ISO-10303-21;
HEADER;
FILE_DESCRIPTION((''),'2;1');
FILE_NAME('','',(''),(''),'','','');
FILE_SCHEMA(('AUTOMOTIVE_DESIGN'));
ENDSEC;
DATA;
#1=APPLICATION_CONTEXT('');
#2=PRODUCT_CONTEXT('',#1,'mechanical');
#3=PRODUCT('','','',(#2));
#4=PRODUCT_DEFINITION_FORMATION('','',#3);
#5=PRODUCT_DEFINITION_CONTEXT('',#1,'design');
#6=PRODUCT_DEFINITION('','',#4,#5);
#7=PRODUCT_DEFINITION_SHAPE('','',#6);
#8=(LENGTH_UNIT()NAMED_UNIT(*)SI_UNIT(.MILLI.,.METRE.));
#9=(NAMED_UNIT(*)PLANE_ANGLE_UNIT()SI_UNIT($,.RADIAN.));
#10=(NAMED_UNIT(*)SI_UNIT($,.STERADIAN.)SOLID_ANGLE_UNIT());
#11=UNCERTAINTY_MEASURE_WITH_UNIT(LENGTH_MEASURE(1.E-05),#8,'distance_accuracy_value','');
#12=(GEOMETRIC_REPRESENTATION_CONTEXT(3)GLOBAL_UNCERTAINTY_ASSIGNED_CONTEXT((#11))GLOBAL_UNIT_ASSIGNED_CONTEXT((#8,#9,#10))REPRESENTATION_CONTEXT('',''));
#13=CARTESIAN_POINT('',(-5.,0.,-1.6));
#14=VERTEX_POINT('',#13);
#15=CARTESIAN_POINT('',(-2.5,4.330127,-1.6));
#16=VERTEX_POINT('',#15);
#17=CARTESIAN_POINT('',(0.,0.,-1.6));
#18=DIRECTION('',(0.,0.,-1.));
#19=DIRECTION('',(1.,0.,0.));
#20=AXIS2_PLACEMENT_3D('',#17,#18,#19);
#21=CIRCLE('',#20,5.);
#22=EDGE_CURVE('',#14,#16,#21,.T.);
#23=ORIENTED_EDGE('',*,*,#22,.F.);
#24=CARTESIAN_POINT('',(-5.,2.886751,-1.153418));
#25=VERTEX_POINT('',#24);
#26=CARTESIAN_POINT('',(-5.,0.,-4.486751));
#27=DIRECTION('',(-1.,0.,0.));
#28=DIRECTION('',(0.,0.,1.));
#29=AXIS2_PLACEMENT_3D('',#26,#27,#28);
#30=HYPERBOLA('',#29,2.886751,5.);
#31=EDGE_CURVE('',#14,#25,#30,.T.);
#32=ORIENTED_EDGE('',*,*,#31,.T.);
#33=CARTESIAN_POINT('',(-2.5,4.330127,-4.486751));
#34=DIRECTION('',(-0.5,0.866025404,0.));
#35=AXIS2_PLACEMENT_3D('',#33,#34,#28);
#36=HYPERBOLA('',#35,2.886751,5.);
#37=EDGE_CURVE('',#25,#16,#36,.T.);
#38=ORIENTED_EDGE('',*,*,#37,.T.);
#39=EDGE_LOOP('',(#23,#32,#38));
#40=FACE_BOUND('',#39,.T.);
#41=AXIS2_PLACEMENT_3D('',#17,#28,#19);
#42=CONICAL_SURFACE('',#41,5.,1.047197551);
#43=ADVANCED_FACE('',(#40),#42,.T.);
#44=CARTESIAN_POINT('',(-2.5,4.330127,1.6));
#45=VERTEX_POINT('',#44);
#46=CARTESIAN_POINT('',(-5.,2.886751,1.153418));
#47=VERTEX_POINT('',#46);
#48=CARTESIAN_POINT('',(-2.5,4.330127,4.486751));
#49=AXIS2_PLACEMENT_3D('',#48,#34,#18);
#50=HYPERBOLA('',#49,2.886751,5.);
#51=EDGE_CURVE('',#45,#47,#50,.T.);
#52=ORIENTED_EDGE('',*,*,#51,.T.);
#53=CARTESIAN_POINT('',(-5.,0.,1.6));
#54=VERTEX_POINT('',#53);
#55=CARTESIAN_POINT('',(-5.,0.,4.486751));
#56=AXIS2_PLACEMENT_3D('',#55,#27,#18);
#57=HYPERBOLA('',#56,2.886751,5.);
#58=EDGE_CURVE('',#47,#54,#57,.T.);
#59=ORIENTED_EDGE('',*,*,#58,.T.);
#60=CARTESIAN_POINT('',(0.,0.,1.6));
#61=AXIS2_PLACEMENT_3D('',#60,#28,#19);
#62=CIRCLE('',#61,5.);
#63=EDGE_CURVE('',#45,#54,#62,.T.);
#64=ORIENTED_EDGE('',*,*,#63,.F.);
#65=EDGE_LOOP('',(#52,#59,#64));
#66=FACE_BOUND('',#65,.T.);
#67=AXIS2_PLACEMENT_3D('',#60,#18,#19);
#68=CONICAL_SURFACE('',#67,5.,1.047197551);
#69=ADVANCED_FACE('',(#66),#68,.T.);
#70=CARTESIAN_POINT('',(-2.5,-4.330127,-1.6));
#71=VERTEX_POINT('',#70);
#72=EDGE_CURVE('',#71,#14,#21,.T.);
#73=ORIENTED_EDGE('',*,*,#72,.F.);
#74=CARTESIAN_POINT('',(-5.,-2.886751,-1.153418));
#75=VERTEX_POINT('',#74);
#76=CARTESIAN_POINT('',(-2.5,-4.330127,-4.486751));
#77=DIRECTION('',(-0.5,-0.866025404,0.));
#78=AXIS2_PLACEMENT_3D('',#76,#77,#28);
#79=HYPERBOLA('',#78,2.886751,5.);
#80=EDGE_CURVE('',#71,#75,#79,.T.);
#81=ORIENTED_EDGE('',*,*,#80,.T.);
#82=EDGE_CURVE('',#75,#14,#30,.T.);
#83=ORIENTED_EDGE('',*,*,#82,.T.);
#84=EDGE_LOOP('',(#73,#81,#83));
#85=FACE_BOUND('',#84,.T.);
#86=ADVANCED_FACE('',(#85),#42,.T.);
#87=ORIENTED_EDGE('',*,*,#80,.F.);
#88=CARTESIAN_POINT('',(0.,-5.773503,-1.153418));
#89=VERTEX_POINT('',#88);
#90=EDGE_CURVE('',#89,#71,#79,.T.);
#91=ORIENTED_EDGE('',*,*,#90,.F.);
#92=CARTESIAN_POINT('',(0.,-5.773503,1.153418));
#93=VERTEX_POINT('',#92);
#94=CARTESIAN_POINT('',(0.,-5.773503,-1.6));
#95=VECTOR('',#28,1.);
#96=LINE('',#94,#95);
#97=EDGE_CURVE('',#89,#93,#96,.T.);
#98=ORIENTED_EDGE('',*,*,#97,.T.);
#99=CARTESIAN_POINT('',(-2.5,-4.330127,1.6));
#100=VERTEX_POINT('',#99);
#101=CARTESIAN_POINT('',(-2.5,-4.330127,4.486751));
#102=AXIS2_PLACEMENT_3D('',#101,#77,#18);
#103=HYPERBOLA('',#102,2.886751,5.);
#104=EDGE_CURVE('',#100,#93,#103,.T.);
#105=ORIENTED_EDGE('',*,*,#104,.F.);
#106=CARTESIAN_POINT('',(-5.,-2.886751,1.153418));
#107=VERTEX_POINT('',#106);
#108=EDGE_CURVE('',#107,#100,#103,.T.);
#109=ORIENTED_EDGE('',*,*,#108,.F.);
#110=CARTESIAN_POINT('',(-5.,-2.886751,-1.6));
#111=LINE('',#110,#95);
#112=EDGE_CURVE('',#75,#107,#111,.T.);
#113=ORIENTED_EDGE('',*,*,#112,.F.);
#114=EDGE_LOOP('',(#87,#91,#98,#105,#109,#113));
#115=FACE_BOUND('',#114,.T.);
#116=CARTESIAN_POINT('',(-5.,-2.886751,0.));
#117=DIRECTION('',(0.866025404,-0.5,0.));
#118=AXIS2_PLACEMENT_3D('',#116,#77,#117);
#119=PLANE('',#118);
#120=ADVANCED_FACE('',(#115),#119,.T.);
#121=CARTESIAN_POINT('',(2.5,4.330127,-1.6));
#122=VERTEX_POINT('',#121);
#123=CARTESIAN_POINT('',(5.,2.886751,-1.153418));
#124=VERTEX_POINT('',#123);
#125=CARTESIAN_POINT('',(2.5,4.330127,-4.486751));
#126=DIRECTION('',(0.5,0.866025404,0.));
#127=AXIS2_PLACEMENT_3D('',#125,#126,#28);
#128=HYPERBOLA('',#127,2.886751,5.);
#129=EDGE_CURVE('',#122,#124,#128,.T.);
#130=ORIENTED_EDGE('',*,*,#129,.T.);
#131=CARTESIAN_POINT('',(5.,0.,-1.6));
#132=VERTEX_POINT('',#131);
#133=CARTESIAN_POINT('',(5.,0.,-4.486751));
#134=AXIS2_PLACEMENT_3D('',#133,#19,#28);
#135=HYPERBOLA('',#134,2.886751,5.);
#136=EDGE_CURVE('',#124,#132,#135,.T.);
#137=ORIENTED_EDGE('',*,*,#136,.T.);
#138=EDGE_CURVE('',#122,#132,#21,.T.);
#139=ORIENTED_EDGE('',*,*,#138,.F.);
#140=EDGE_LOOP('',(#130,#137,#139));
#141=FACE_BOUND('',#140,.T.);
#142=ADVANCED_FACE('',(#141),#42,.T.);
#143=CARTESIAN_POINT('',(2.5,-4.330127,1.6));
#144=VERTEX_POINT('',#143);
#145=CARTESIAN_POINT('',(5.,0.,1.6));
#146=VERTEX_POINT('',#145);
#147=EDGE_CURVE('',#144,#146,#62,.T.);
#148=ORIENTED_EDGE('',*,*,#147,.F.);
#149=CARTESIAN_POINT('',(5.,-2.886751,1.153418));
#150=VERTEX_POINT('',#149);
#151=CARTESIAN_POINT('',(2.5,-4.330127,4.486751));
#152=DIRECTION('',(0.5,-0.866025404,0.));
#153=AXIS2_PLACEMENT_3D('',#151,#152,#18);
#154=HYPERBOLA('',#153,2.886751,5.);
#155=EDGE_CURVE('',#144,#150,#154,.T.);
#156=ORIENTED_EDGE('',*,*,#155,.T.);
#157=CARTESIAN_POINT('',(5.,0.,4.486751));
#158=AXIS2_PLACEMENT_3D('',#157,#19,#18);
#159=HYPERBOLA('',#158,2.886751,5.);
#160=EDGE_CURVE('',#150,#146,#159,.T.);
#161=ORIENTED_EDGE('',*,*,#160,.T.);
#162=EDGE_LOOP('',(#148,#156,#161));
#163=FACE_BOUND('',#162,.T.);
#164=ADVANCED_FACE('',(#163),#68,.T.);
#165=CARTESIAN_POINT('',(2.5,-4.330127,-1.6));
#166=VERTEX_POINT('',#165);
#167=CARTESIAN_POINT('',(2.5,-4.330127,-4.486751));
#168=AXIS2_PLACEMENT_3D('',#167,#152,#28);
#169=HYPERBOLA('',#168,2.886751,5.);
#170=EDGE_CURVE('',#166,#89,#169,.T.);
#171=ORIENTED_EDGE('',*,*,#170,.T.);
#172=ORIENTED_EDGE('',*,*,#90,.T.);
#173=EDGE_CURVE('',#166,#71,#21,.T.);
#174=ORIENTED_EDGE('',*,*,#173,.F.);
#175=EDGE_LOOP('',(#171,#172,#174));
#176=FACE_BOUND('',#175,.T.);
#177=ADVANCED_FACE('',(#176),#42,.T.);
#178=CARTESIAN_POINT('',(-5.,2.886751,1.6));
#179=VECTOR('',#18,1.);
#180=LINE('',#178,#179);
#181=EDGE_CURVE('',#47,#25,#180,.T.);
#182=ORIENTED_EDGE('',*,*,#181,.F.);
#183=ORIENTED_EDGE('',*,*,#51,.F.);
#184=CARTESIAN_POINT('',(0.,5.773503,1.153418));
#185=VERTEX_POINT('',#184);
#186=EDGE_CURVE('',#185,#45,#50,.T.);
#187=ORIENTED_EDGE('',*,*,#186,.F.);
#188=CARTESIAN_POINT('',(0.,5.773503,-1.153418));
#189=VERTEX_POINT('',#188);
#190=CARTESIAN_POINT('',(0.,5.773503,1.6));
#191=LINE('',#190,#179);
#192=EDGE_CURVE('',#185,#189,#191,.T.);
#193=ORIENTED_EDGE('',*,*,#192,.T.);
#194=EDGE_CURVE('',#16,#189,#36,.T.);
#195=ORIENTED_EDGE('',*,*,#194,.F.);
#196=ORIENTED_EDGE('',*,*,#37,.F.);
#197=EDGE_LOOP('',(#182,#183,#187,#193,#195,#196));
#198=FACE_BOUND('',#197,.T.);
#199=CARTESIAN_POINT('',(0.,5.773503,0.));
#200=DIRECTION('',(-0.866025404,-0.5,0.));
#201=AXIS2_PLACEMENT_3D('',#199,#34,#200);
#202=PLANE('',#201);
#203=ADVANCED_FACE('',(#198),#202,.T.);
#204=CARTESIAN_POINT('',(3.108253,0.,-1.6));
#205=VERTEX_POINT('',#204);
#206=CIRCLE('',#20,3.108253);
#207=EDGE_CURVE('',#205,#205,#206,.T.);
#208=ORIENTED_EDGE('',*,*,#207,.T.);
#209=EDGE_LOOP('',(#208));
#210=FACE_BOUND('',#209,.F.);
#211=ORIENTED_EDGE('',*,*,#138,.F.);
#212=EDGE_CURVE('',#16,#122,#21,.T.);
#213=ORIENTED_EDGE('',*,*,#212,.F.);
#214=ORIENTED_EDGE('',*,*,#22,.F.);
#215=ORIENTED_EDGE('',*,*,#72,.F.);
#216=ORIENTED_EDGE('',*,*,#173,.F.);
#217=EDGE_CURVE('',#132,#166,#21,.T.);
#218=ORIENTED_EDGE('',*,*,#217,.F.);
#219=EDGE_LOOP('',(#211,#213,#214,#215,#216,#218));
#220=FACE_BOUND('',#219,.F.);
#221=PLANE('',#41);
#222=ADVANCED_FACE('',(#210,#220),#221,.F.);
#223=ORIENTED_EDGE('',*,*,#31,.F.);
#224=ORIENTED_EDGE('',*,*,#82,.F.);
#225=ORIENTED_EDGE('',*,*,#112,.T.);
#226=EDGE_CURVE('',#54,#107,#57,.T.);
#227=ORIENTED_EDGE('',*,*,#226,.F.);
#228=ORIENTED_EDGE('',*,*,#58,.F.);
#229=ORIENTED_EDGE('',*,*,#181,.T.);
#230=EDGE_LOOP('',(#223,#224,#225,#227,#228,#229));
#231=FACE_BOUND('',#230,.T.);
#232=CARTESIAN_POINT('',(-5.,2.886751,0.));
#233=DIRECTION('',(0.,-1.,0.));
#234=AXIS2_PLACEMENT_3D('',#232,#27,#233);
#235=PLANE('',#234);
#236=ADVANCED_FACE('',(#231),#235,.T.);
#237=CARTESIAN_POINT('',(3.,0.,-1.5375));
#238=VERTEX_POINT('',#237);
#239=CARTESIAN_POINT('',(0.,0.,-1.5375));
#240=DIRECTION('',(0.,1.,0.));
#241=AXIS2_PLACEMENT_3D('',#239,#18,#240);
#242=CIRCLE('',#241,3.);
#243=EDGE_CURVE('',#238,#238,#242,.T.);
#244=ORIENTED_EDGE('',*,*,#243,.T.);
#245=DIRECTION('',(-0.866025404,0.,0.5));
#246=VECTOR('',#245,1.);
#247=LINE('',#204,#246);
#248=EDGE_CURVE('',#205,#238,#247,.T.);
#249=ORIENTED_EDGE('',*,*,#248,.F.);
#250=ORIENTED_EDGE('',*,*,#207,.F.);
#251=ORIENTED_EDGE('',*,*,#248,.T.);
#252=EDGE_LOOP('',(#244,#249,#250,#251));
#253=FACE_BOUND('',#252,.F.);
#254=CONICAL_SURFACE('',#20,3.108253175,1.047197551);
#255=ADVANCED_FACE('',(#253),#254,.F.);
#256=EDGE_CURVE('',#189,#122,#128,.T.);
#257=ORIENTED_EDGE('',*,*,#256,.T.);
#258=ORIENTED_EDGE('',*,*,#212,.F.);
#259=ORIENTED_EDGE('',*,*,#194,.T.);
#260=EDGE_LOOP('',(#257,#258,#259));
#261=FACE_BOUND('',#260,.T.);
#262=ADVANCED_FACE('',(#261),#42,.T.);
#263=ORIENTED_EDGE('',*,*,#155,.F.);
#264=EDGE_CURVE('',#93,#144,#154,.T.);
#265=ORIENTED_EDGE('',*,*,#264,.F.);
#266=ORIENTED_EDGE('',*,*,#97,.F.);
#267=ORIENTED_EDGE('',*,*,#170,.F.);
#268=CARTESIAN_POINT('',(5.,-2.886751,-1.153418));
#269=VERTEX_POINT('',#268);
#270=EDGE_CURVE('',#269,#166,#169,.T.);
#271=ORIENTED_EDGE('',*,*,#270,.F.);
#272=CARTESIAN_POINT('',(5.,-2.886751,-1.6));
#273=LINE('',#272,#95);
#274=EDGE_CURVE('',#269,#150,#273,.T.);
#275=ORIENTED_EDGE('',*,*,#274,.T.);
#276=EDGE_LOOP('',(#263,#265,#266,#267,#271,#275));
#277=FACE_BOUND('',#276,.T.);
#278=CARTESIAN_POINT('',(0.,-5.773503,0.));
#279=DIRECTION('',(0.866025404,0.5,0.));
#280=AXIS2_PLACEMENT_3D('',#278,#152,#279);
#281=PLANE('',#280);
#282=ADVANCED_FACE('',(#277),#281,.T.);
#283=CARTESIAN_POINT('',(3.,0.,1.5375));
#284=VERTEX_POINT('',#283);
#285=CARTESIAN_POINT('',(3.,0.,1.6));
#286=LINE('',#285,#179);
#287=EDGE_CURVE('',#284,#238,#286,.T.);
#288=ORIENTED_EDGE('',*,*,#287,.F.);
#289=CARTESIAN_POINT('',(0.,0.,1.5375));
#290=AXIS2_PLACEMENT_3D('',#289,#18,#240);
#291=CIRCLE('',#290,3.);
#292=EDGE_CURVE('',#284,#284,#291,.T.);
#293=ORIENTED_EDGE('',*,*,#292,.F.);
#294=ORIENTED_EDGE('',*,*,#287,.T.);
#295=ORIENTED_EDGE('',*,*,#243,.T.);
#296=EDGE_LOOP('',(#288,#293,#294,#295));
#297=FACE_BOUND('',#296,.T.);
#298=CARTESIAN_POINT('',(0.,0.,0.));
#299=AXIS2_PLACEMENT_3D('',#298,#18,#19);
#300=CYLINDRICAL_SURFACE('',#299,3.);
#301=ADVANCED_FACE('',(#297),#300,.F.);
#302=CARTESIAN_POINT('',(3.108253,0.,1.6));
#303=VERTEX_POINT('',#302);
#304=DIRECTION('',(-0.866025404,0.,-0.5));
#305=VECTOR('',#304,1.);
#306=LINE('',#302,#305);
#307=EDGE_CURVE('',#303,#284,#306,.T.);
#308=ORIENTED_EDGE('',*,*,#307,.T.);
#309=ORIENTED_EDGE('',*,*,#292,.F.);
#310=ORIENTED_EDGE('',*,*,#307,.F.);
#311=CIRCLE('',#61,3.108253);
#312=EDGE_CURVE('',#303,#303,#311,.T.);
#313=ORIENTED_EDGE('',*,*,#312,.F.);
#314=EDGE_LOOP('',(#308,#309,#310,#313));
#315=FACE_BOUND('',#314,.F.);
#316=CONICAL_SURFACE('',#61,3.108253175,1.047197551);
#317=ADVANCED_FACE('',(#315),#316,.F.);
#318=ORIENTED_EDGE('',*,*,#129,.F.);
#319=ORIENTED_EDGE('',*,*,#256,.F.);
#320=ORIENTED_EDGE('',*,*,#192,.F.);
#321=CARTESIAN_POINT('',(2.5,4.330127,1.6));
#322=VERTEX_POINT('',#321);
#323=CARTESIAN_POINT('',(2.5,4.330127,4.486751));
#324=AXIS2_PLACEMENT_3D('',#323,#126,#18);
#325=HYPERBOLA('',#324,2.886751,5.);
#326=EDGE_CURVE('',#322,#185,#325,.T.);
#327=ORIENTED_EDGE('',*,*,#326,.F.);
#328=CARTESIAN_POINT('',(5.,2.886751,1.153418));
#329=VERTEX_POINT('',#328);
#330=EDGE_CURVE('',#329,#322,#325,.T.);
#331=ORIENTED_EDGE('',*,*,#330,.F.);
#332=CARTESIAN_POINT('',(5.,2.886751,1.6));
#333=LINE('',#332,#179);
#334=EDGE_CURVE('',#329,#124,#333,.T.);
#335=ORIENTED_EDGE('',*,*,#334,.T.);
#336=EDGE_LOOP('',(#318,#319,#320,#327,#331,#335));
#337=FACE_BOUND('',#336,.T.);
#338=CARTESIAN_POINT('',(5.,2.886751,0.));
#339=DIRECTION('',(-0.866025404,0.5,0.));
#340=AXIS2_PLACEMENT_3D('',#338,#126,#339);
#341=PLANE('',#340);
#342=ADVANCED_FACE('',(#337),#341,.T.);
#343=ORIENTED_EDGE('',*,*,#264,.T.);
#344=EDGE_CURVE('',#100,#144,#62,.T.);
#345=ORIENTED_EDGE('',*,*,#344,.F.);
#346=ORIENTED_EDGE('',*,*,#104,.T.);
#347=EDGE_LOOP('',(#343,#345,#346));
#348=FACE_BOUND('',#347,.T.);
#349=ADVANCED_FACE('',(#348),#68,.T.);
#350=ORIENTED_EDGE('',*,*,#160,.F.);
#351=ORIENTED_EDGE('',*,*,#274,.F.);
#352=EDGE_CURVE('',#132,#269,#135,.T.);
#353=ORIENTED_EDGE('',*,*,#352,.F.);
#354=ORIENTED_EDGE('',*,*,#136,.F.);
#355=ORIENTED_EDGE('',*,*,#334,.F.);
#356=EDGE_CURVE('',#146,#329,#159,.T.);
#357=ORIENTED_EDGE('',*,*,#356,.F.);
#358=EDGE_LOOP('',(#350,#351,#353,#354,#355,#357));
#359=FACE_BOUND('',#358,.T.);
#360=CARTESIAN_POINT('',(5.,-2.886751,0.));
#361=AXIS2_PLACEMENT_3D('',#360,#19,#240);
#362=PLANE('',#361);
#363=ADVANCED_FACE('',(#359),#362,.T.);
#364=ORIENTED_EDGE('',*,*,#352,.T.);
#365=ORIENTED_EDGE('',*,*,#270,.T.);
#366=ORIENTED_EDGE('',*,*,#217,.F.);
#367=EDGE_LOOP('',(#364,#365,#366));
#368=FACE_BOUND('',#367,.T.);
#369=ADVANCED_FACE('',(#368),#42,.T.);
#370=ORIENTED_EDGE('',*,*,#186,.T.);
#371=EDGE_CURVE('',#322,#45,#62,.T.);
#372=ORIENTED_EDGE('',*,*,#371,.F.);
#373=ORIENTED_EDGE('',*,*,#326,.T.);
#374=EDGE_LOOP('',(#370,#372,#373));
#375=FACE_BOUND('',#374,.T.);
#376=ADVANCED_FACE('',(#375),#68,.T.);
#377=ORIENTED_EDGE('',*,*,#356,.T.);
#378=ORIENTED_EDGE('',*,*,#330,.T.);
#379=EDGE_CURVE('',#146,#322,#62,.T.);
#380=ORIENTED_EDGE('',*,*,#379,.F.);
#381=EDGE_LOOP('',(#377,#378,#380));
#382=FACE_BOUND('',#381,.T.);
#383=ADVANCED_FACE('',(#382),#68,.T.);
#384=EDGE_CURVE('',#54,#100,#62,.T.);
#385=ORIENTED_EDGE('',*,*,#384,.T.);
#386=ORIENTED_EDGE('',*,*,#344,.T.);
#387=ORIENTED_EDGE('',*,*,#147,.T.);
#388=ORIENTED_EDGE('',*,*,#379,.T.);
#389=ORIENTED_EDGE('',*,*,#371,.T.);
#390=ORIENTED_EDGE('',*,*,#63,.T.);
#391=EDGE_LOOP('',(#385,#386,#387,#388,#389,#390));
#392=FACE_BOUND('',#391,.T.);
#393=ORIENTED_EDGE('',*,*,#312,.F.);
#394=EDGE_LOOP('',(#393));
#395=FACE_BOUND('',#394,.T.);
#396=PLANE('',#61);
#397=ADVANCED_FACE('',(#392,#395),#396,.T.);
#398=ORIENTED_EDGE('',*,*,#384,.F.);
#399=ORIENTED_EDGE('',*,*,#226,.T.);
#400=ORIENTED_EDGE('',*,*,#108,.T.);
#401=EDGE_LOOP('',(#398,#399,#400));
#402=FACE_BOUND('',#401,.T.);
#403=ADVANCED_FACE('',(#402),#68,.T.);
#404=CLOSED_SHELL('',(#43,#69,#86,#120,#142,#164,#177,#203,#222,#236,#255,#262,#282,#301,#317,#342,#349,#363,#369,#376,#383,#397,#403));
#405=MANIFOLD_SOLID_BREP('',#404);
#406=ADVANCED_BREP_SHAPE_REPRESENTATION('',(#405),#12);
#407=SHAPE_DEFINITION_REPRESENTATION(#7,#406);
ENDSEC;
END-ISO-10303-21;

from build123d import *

# Parameters (mm, degrees)
SKETCH3_R                    = 3
BOSS_EXTRUDE1_DEPTH          = 1.6
SKETCH4_OUTSIDE_W            = 49.762
SKETCH4_OUTSIDE_H            = 51.31
SKETCH4_OUTSIDE_R            = 5
CUT_EXTRUDE1_DEPTH           = 10
CUT_EXTRUDE1_DRAFT           = -60
SKETCH4_OUTSIDE_R_2          = 3.108253175
CUT_EXTRUDE1_PROFILE_2_DEPTH = 10
CUT_EXTRUDE1_PROFILE_2_DRAFT = -60
MIRROR1_COPY_1_SKETCH_W      = 49.762
MIRROR1_COPY_1_SKETCH_H      = 51.31
MIRROR1_COPY_1_SKETCH_R      = 5
MIRROR1_COPY_1_DEPTH         = 10
MIRROR1_COPY_1_DRAFT         = -60
MIRROR1_COPY_2_SKETCH_R      = 3.108253175
MIRROR1_COPY_2_DEPTH         = 10
MIRROR1_COPY_2_DRAFT         = -60
MIRROR1_COPY_3_SKETCH_R      = 3.108253175
MIRROR1_COPY_3_DEPTH         = 10
MIRROR1_COPY_3_DRAFT         = -60


with BuildPart() as part:
    # Sketch3 → Boss-Extrude1 (new, symmetric)
    with BuildSketch(Plane.XY):
        Polygon((-5, 2.886751346), (-5, -2.886751346), (0, -5.773502692), (5, -2.886751346), (5, 2.886751346), (0, 5.773502692), align=None)
        Circle(SKETCH3_R, mode=Mode.SUBTRACT)
    extrude(amount=BOSS_EXTRUDE1_DEPTH, both=True)


with BuildPart() as cut_extrude1_tool:
    # Sketch4 outside → Cut-Extrude1 (with draft: the straight prism first)
    with BuildSketch(Plane.XY.offset(1.6)):
        Rectangle(SKETCH4_OUTSIDE_W, SKETCH4_OUTSIDE_H)
        Circle(SKETCH4_OUTSIDE_R, mode=Mode.SUBTRACT)
    extrude(amount=-CUT_EXTRUDE1_DEPTH)
    # Cut-Extrude1: the draft: its side faces are tilted about the plane it starts from
    cut_extrude1_sides = [cut_extrude1_tool.faces().sort_by_distance(p)[0] for p in [
        (0, -25.655, -3.4),
        (24.881, 0, -3.4),
        (0, 25.655, -3.4),
        (-24.881, 0, -3.4),
        (-5, 0, -3.4),
    ]]
    draft(cut_extrude1_sides, Plane.XY.offset(1.6), CUT_EXTRUDE1_DRAFT)


with BuildPart() as part_1:
    add(part.part)

    # Cut-Extrude1: cut by cut_extrude1_tool
    add(cut_extrude1_tool.part, mode=Mode.SUBTRACT)


with BuildPart() as cut_extrude1_profile_2_tool:
    # Sketch4 outside → Cut-Extrude1 profile 2 (with draft: the straight prism first)
    with BuildSketch(Plane.XY.offset(1.6)):
        Circle(SKETCH4_OUTSIDE_R_2)
    extrude(amount=-CUT_EXTRUDE1_PROFILE_2_DEPTH)
    # Cut-Extrude1 profile 2: the draft: its side faces are tilted about the plane it starts from
    cut_extrude1_profile_2_sides = [cut_extrude1_profile_2_tool.faces().sort_by_distance(p)[0] for p in [
        (-3.108253175, 0, -3.4),
    ]]
    draft(cut_extrude1_profile_2_sides, Plane.XY.offset(1.6), CUT_EXTRUDE1_PROFILE_2_DRAFT)


with BuildPart() as part_2:
    add(part_1.part)

    # Cut-Extrude1 profile 2: cut by cut_extrude1_profile_2_tool
    add(cut_extrude1_profile_2_tool.part, mode=Mode.SUBTRACT)


with BuildPart() as mirror1_copy_1_tool:
    # Mirror1 copy 1 sketch → Mirror1 copy 1 (with draft: the straight prism first)
    with BuildSketch(Plane(origin=(0, 0, -1.6), x_dir=(1, 0, 0), z_dir=(0, 0, -1))):
        Rectangle(MIRROR1_COPY_1_SKETCH_W, MIRROR1_COPY_1_SKETCH_H)
        Circle(MIRROR1_COPY_1_SKETCH_R, mode=Mode.SUBTRACT)
    extrude(amount=-MIRROR1_COPY_1_DEPTH)
    # Mirror1 copy 1: the draft: its side faces are tilted about the plane it starts from
    mirror1_copy_1_sides = [mirror1_copy_1_tool.faces().sort_by_distance(p)[0] for p in [
        (0, -25.655, 3.4),
        (24.881, 0, 3.4),
        (0, 25.655, 3.4),
        (-24.881, 0, 3.4),
        (-5, 0, 3.4),
    ]]
    draft(mirror1_copy_1_sides, Plane(origin=(0, 0, -1.6), x_dir=(1, 0, 0), z_dir=(0, 0, -1)), MIRROR1_COPY_1_DRAFT)


with BuildPart() as part_3:
    add(part_2.part)

    # Mirror1 copy 1: cut by mirror1_copy_1_tool
    add(mirror1_copy_1_tool.part, mode=Mode.SUBTRACT)


with BuildPart() as mirror1_copy_2_tool:
    # Mirror1 copy 2 sketch → Mirror1 copy 2 (with draft: the straight prism first)
    with BuildSketch(Plane(origin=(0, 0, -1.6), x_dir=(1, 0, 0), z_dir=(0, 0, -1))):
        Circle(MIRROR1_COPY_2_SKETCH_R)
    extrude(amount=-MIRROR1_COPY_2_DEPTH)
    # Mirror1 copy 2: the draft: its side faces are tilted about the plane it starts from
    mirror1_copy_2_sides = [mirror1_copy_2_tool.faces().sort_by_distance(p)[0] for p in [
        (-3.108253175, 0, 3.4),
    ]]
    draft(mirror1_copy_2_sides, Plane(origin=(0, 0, -1.6), x_dir=(1, 0, 0), z_dir=(0, 0, -1)), MIRROR1_COPY_2_DRAFT)


with BuildPart() as part_4:
    add(part_3.part)

    # Mirror1 copy 2: cut by mirror1_copy_2_tool
    add(mirror1_copy_2_tool.part, mode=Mode.SUBTRACT)


with BuildPart() as mirror1_copy_3_tool:
    # Mirror1 copy 3 sketch → Mirror1 copy 3 (with draft: the straight prism first)
    with BuildSketch(Plane(origin=(0, 0, -1.6), x_dir=(1, 0, 0), z_dir=(0, 0, -1))):
        Circle(MIRROR1_COPY_3_SKETCH_R)
    extrude(amount=-MIRROR1_COPY_3_DEPTH)
    # Mirror1 copy 3: the draft: its side faces are tilted about the plane it starts from
    mirror1_copy_3_sides = [mirror1_copy_3_tool.faces().sort_by_distance(p)[0] for p in [
        (-3.108253175, 0, 3.4),
    ]]
    draft(mirror1_copy_3_sides, Plane(origin=(0, 0, -1.6), x_dir=(1, 0, 0), z_dir=(0, 0, -1)), MIRROR1_COPY_3_DRAFT)


with BuildPart() as part_5:
    add(part_4.part)

    # Mirror1 copy 3: cut by mirror1_copy_3_tool
    add(mirror1_copy_3_tool.part, mode=Mode.SUBTRACT)


solid = part_5.part
